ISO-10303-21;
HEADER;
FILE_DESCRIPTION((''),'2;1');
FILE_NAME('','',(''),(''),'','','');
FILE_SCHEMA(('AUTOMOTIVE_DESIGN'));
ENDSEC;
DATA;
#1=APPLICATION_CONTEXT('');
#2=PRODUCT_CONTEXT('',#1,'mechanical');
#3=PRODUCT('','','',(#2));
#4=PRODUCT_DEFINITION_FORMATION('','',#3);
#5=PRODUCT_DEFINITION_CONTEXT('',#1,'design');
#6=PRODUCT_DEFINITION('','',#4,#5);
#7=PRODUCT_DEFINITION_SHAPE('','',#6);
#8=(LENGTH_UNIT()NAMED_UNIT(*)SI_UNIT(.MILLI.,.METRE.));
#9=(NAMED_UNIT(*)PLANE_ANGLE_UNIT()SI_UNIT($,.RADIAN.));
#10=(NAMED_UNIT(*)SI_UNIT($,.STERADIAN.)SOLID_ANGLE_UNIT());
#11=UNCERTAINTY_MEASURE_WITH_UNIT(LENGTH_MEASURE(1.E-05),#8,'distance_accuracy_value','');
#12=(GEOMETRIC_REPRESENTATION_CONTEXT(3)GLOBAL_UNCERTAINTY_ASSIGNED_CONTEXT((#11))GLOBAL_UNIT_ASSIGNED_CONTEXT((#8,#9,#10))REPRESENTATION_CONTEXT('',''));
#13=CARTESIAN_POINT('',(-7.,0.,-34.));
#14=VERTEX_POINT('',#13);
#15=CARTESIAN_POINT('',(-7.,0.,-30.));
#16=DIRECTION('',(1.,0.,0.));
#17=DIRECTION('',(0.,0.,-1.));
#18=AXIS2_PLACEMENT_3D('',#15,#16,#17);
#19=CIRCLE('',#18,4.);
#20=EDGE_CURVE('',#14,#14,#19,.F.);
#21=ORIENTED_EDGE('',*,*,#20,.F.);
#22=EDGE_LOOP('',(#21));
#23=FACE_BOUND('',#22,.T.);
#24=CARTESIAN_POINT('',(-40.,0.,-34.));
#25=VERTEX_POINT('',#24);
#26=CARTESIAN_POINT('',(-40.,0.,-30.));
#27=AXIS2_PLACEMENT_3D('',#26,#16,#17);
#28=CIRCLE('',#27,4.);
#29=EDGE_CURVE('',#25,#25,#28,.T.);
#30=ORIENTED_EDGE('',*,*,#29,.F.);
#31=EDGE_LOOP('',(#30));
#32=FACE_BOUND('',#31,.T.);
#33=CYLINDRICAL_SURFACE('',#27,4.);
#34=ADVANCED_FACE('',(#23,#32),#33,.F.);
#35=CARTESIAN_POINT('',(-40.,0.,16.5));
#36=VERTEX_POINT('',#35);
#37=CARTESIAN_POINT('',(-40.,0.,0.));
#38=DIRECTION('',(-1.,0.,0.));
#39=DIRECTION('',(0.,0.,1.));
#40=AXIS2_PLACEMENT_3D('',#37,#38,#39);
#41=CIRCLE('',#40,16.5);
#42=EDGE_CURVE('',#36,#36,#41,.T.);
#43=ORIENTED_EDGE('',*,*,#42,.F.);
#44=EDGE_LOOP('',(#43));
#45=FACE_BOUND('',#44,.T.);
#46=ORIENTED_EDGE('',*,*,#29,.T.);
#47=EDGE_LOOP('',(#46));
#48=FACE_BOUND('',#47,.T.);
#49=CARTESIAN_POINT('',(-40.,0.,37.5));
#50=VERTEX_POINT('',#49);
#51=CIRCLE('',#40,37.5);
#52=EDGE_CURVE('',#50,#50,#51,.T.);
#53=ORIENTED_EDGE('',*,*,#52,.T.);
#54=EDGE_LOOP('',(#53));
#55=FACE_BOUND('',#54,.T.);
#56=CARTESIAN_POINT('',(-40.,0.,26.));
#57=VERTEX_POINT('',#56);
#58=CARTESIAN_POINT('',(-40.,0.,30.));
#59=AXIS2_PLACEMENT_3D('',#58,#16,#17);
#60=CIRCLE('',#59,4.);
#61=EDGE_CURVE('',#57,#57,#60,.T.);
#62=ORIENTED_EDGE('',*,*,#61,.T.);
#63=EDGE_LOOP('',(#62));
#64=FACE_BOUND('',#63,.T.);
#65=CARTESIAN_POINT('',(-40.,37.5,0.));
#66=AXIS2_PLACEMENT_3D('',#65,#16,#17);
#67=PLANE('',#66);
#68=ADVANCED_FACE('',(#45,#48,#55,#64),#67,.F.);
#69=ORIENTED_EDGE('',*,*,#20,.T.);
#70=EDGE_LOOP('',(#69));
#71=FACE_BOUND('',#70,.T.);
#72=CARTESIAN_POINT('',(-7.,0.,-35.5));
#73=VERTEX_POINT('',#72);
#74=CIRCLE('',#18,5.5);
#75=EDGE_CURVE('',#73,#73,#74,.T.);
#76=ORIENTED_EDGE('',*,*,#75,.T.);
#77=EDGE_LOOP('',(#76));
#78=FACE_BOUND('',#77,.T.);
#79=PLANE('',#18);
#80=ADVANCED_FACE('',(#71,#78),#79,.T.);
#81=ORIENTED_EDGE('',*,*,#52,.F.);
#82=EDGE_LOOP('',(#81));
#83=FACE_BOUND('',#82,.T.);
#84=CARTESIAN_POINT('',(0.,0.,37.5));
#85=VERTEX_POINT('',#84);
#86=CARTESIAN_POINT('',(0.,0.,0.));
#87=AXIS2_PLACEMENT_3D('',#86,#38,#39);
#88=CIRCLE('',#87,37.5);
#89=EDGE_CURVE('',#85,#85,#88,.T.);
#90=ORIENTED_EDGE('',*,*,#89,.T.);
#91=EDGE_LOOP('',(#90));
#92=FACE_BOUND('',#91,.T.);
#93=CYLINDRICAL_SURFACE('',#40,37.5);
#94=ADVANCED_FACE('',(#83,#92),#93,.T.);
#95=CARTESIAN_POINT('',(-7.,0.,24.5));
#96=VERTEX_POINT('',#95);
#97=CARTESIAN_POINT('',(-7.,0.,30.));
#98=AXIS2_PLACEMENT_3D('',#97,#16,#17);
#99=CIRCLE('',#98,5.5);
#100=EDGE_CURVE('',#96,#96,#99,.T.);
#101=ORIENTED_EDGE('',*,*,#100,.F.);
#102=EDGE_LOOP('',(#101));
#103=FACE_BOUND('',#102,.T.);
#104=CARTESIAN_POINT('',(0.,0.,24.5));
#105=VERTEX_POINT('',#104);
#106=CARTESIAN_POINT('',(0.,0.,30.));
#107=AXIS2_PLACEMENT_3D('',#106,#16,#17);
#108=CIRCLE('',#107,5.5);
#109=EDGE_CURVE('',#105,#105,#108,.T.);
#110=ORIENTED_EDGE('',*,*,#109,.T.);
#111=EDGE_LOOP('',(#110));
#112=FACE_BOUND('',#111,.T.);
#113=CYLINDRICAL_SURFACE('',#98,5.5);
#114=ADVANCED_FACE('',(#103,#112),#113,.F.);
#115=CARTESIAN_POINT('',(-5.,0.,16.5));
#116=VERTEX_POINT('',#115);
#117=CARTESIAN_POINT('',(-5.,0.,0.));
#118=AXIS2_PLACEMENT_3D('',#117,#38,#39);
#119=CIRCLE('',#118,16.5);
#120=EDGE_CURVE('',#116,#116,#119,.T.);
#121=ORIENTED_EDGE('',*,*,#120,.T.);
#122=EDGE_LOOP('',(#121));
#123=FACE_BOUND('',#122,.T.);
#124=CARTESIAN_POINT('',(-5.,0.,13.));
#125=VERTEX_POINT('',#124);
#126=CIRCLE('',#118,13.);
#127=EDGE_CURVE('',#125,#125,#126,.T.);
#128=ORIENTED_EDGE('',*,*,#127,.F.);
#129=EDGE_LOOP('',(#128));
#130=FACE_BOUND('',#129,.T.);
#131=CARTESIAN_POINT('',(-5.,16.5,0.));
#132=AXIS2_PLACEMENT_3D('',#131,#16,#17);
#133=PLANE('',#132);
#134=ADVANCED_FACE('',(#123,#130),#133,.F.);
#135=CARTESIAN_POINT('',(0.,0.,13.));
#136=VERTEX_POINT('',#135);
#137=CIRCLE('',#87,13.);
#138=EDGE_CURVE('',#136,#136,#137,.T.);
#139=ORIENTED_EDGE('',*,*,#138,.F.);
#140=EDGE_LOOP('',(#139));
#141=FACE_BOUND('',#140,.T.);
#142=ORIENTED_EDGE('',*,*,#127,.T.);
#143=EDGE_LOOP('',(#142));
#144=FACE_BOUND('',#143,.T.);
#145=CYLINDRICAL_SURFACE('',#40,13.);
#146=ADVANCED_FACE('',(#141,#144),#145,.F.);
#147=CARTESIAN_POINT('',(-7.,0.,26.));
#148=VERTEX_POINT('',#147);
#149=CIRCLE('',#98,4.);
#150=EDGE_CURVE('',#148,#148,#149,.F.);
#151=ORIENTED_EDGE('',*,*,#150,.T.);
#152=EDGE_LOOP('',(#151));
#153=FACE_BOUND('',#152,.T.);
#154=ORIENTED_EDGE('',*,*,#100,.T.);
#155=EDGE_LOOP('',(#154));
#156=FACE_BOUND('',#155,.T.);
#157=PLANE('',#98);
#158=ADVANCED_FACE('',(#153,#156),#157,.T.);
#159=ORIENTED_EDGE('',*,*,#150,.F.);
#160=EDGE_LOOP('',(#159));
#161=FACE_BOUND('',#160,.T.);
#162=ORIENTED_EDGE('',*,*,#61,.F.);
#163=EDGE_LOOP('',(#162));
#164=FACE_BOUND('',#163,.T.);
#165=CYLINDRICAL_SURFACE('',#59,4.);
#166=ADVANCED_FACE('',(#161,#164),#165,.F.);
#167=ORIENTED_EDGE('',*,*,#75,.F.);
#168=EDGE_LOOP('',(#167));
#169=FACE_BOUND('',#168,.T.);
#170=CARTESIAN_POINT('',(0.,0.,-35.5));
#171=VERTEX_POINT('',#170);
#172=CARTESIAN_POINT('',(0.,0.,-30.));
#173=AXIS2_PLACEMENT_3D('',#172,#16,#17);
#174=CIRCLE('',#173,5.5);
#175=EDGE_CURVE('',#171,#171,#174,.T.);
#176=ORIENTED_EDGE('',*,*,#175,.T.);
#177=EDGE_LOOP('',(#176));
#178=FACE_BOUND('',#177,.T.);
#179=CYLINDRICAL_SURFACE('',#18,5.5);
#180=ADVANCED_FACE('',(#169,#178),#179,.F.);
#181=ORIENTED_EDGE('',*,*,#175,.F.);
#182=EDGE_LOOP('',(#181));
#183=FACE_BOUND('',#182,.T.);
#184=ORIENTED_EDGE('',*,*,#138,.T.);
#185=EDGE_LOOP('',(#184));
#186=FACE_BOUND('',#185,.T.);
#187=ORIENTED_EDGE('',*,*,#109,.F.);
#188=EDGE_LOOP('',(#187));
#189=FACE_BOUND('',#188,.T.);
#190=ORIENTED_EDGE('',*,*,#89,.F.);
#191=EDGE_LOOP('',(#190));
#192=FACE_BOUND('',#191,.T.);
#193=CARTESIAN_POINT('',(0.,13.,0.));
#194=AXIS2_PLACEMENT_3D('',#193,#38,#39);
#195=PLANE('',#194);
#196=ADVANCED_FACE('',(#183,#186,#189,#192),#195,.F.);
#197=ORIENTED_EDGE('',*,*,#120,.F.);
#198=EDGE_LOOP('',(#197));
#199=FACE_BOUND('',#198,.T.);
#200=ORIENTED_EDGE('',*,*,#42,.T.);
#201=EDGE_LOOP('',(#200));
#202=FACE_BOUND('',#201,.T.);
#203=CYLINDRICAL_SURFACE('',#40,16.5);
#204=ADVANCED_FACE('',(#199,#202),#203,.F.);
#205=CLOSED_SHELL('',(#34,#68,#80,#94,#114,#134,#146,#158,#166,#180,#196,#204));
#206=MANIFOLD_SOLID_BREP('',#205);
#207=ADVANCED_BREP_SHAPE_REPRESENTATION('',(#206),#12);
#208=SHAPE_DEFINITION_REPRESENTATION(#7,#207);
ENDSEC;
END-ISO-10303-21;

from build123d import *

# Parameters (mm, degrees)
CUT_EXTRUDE_1_DEPTH      = 67.426651278
CUT_EXTRUDE_1_DEPTH_BACK = 67.426651278
SKETCH_2_R               = 4
SKETCH_3_R               = 5.5
CUT_EXTRUDE_2_DEPTH      = 7


with BuildPart() as part:
    # ｽｹｯﾁ1 → 回転1 (revolve)
    with BuildSketch(Plane.XY, mode=Mode.PRIVATE) as revolve_1_sk:
        Polygon((-40, 16.5), (-5, 16.5), (-5, 13), (0, 13), (0, 37.5), (-40, 37.5), align=None)
    revolve(revolve_1_sk.sketch.rotate(Axis((-40, 0, 0), (1, 0, 0)), 90), axis=Axis((-40, 0, 0), (1, 0, 0)))

    # ｽｹｯﾁ2 → ｶｯﾄ - 押し出し1 (cut, two sides: drawn at the far end of the back side and taken through both)
    with BuildSketch(Plane(origin=(0, 0, 0), x_dir=(0, 0, -1), z_dir=(1, 0, 0)).offset(-CUT_EXTRUDE_1_DEPTH_BACK)):
        with Locations((30, 0)):
            Circle(SKETCH_2_R)
        with Locations((-30, 0)):
            Circle(SKETCH_2_R)
    extrude(amount=CUT_EXTRUDE_1_DEPTH + CUT_EXTRUDE_1_DEPTH_BACK, mode=Mode.SUBTRACT)

    # ｽｹｯﾁ3 → ｶｯﾄ - 押し出し2 (cut)
    with BuildSketch(Plane(origin=(0, 0, 0), x_dir=(0, 0, -1), z_dir=(1, 0, 0))):
        with Locations((30, 0)):
            Circle(SKETCH_3_R)
        with Locations((-30, 0)):
            Circle(SKETCH_3_R)
    extrude(amount=-CUT_EXTRUDE_2_DEPTH, mode=Mode.SUBTRACT)


solid = part.part
